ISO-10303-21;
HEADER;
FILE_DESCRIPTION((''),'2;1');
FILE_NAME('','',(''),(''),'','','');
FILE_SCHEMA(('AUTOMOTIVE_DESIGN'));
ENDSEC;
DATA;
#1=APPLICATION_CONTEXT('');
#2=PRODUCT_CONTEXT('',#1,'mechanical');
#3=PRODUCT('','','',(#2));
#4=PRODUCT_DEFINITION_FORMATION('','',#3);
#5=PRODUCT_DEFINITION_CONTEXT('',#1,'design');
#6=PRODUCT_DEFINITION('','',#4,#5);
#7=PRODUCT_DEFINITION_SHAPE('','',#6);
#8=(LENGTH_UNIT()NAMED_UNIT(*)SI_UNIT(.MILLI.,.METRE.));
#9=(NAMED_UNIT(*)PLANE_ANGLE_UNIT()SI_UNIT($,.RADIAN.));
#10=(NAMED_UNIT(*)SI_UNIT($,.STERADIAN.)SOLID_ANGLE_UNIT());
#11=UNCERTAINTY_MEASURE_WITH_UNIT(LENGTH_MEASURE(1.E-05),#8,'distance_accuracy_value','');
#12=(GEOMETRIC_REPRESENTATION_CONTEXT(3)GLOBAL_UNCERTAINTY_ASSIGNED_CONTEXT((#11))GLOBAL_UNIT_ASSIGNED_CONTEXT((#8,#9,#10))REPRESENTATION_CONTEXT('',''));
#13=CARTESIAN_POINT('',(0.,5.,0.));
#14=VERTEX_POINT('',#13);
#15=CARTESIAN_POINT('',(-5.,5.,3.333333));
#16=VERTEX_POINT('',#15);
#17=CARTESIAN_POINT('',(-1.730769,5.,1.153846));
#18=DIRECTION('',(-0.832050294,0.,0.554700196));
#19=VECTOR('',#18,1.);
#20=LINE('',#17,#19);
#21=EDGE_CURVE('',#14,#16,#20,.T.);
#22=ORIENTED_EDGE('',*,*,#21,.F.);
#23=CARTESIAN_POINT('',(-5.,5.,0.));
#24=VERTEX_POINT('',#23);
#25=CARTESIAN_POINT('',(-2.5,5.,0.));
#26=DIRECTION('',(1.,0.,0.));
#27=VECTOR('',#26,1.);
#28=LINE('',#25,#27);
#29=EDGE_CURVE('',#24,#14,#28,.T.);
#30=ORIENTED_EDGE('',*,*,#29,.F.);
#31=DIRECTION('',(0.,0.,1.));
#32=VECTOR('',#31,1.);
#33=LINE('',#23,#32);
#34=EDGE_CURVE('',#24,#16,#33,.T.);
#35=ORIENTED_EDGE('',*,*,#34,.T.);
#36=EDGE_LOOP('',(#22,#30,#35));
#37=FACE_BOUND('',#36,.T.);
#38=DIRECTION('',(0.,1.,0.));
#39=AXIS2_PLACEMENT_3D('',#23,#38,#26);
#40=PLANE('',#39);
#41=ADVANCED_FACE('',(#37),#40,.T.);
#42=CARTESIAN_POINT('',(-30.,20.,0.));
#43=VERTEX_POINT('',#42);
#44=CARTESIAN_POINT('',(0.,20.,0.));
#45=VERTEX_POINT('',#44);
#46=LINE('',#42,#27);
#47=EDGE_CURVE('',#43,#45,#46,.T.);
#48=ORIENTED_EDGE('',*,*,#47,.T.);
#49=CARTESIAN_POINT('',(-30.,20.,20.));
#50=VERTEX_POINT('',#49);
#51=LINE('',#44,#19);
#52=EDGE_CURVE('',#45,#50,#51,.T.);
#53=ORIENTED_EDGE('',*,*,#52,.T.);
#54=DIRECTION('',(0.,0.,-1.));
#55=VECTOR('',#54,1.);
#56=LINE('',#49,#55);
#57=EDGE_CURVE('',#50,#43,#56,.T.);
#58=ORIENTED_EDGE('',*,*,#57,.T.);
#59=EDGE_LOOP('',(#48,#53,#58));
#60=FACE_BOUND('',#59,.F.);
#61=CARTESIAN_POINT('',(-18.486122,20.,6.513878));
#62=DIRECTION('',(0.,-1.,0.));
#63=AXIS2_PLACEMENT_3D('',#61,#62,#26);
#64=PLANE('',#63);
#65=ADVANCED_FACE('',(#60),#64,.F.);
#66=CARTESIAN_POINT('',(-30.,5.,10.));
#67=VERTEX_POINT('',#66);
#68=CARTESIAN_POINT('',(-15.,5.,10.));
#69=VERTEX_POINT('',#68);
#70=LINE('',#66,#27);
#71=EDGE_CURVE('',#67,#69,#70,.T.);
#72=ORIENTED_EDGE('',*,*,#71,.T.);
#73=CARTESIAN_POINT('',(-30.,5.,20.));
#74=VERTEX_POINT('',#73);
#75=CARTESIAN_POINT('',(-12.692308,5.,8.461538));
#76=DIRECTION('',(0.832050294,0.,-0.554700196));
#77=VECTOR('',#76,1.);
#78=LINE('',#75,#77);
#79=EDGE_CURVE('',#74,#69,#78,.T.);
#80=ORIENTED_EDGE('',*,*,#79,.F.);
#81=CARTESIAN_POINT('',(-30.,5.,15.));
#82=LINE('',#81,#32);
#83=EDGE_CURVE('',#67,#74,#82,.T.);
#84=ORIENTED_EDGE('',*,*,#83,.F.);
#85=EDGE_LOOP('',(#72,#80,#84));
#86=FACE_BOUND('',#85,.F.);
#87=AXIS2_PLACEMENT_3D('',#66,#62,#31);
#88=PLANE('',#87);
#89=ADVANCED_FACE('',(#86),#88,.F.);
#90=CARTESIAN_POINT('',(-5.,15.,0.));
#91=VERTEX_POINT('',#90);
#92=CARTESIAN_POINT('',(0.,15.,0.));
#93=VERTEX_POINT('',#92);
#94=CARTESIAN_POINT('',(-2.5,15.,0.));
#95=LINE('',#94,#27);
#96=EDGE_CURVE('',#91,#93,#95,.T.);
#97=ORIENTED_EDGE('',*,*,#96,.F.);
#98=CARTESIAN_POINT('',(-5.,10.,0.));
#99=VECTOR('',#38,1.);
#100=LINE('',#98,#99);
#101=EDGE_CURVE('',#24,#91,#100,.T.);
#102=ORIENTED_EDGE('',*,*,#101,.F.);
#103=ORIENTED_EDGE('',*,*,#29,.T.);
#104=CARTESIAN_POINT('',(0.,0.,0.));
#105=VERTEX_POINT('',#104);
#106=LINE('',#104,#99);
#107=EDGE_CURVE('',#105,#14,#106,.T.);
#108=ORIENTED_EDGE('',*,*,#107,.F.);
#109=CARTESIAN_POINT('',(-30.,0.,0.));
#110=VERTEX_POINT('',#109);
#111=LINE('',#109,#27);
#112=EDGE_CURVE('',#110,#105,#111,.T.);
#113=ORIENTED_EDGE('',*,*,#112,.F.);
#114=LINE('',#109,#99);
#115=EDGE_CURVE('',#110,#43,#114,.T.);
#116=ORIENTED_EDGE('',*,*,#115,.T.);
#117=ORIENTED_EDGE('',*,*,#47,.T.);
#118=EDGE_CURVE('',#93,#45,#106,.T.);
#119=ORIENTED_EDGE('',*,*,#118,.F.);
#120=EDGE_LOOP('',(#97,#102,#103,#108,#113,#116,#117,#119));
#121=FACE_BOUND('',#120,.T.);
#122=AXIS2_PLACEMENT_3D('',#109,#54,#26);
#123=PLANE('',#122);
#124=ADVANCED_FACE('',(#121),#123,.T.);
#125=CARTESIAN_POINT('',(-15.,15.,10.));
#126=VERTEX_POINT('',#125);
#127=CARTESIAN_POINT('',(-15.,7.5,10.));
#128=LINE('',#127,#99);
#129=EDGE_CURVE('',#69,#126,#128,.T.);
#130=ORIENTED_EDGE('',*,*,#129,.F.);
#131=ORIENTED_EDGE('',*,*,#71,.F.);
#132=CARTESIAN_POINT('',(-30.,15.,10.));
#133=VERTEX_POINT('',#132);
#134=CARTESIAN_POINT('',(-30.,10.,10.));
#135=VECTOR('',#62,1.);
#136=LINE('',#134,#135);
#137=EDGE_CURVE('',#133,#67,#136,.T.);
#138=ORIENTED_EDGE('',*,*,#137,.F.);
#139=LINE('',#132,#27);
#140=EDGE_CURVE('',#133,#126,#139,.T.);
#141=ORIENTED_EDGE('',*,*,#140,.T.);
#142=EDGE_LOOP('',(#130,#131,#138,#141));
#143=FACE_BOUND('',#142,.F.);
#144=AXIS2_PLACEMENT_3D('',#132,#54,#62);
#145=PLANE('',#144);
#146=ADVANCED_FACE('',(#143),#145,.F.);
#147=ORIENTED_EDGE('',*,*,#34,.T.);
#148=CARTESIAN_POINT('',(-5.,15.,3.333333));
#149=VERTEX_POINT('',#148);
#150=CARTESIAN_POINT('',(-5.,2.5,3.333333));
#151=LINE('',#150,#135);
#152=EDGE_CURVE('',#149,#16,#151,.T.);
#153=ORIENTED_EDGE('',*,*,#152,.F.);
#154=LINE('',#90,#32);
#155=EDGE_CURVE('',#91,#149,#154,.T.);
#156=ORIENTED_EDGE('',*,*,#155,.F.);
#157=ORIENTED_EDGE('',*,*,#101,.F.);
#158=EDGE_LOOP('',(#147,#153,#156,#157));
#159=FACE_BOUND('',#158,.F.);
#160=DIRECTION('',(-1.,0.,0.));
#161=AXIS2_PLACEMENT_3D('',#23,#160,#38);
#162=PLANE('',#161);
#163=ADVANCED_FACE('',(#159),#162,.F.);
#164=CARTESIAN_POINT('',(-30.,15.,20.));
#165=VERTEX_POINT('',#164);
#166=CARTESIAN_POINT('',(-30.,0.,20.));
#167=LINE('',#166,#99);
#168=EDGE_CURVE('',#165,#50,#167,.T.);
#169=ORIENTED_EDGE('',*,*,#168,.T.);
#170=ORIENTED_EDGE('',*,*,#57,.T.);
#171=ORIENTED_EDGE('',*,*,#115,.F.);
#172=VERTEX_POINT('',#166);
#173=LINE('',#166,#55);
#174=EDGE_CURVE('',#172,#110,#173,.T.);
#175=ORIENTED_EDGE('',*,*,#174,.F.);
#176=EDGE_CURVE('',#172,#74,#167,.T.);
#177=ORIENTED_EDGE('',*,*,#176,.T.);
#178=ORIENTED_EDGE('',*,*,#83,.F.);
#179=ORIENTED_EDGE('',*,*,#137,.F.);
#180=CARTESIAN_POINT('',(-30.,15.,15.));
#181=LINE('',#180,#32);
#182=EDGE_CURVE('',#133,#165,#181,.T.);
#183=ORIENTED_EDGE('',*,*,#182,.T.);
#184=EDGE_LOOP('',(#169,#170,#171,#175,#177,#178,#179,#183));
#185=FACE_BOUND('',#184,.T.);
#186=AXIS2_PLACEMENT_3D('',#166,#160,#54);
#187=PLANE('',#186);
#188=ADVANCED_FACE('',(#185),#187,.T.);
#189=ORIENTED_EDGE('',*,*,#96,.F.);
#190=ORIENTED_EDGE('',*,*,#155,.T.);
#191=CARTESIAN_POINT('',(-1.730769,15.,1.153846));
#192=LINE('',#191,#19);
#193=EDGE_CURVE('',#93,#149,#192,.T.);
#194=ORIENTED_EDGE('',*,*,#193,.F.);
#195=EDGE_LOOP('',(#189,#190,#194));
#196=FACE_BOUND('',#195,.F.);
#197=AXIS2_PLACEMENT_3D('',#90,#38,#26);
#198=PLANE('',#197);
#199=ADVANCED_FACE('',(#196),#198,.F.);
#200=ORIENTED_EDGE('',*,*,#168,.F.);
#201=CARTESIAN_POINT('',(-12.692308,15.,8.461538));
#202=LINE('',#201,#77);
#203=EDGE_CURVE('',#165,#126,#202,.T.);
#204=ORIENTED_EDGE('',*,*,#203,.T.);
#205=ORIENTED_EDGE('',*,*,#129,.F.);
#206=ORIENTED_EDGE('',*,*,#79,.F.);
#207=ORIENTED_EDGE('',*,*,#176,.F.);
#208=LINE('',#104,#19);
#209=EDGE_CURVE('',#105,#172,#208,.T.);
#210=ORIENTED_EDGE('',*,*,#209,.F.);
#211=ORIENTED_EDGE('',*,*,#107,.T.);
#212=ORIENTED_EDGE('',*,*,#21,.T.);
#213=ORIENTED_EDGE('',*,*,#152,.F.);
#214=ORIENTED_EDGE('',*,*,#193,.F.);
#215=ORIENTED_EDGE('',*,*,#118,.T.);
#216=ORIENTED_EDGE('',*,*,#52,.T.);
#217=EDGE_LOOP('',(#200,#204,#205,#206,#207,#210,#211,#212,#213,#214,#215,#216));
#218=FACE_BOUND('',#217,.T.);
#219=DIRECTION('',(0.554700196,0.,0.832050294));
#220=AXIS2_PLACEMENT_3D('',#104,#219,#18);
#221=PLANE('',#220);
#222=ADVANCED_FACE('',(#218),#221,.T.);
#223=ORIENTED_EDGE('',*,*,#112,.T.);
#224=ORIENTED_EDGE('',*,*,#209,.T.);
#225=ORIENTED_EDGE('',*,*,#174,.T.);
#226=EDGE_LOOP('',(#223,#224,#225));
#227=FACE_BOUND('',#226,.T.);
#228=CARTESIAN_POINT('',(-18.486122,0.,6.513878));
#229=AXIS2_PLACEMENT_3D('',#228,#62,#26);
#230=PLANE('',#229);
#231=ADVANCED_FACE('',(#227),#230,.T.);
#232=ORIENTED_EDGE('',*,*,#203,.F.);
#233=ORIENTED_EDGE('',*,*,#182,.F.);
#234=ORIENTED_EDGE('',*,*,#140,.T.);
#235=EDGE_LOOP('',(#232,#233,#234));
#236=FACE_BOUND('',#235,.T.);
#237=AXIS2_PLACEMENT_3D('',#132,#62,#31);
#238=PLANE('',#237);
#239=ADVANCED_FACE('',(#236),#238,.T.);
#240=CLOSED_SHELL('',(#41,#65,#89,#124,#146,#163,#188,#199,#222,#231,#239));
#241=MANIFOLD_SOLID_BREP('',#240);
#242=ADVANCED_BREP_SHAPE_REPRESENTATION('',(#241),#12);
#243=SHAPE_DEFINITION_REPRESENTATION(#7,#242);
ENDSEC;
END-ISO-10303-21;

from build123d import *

# Parameters (mm, degrees)
F1_DEPTH = 20
F2_W     = 10
F2_H     = 10
F3_DEPTH = 30.001
F4_W     = 5
F4_H     = 10
F5_DEPTH = 25


with BuildPart() as f1:
    # F0 (on Front) → F1 (new body)
    with BuildSketch(Plane.XZ):
        Polygon((0, 0), (-30, 20), (-30, 0), align=None)
    extrude(amount=-F1_DEPTH)

    # F2 (on face) → F3 (cut, through all)
    with BuildSketch(Plane(origin=(-30, 0, 0), x_dir=(0, -1, 0), z_dir=(-1, 0, 0))):
        with Locations((-10, 15)):
            Rectangle(F2_W, F2_H)
    extrude(amount=-F3_DEPTH, mode=Mode.SUBTRACT)

    # F4 (on Top) → F5 (cut)
    with BuildSketch(Plane.XY):
        with Locations((-2.5, 10)):
            Rectangle(F4_W, F4_H)
    extrude(amount=F5_DEPTH, mode=Mode.SUBTRACT)


solid = f1.part
